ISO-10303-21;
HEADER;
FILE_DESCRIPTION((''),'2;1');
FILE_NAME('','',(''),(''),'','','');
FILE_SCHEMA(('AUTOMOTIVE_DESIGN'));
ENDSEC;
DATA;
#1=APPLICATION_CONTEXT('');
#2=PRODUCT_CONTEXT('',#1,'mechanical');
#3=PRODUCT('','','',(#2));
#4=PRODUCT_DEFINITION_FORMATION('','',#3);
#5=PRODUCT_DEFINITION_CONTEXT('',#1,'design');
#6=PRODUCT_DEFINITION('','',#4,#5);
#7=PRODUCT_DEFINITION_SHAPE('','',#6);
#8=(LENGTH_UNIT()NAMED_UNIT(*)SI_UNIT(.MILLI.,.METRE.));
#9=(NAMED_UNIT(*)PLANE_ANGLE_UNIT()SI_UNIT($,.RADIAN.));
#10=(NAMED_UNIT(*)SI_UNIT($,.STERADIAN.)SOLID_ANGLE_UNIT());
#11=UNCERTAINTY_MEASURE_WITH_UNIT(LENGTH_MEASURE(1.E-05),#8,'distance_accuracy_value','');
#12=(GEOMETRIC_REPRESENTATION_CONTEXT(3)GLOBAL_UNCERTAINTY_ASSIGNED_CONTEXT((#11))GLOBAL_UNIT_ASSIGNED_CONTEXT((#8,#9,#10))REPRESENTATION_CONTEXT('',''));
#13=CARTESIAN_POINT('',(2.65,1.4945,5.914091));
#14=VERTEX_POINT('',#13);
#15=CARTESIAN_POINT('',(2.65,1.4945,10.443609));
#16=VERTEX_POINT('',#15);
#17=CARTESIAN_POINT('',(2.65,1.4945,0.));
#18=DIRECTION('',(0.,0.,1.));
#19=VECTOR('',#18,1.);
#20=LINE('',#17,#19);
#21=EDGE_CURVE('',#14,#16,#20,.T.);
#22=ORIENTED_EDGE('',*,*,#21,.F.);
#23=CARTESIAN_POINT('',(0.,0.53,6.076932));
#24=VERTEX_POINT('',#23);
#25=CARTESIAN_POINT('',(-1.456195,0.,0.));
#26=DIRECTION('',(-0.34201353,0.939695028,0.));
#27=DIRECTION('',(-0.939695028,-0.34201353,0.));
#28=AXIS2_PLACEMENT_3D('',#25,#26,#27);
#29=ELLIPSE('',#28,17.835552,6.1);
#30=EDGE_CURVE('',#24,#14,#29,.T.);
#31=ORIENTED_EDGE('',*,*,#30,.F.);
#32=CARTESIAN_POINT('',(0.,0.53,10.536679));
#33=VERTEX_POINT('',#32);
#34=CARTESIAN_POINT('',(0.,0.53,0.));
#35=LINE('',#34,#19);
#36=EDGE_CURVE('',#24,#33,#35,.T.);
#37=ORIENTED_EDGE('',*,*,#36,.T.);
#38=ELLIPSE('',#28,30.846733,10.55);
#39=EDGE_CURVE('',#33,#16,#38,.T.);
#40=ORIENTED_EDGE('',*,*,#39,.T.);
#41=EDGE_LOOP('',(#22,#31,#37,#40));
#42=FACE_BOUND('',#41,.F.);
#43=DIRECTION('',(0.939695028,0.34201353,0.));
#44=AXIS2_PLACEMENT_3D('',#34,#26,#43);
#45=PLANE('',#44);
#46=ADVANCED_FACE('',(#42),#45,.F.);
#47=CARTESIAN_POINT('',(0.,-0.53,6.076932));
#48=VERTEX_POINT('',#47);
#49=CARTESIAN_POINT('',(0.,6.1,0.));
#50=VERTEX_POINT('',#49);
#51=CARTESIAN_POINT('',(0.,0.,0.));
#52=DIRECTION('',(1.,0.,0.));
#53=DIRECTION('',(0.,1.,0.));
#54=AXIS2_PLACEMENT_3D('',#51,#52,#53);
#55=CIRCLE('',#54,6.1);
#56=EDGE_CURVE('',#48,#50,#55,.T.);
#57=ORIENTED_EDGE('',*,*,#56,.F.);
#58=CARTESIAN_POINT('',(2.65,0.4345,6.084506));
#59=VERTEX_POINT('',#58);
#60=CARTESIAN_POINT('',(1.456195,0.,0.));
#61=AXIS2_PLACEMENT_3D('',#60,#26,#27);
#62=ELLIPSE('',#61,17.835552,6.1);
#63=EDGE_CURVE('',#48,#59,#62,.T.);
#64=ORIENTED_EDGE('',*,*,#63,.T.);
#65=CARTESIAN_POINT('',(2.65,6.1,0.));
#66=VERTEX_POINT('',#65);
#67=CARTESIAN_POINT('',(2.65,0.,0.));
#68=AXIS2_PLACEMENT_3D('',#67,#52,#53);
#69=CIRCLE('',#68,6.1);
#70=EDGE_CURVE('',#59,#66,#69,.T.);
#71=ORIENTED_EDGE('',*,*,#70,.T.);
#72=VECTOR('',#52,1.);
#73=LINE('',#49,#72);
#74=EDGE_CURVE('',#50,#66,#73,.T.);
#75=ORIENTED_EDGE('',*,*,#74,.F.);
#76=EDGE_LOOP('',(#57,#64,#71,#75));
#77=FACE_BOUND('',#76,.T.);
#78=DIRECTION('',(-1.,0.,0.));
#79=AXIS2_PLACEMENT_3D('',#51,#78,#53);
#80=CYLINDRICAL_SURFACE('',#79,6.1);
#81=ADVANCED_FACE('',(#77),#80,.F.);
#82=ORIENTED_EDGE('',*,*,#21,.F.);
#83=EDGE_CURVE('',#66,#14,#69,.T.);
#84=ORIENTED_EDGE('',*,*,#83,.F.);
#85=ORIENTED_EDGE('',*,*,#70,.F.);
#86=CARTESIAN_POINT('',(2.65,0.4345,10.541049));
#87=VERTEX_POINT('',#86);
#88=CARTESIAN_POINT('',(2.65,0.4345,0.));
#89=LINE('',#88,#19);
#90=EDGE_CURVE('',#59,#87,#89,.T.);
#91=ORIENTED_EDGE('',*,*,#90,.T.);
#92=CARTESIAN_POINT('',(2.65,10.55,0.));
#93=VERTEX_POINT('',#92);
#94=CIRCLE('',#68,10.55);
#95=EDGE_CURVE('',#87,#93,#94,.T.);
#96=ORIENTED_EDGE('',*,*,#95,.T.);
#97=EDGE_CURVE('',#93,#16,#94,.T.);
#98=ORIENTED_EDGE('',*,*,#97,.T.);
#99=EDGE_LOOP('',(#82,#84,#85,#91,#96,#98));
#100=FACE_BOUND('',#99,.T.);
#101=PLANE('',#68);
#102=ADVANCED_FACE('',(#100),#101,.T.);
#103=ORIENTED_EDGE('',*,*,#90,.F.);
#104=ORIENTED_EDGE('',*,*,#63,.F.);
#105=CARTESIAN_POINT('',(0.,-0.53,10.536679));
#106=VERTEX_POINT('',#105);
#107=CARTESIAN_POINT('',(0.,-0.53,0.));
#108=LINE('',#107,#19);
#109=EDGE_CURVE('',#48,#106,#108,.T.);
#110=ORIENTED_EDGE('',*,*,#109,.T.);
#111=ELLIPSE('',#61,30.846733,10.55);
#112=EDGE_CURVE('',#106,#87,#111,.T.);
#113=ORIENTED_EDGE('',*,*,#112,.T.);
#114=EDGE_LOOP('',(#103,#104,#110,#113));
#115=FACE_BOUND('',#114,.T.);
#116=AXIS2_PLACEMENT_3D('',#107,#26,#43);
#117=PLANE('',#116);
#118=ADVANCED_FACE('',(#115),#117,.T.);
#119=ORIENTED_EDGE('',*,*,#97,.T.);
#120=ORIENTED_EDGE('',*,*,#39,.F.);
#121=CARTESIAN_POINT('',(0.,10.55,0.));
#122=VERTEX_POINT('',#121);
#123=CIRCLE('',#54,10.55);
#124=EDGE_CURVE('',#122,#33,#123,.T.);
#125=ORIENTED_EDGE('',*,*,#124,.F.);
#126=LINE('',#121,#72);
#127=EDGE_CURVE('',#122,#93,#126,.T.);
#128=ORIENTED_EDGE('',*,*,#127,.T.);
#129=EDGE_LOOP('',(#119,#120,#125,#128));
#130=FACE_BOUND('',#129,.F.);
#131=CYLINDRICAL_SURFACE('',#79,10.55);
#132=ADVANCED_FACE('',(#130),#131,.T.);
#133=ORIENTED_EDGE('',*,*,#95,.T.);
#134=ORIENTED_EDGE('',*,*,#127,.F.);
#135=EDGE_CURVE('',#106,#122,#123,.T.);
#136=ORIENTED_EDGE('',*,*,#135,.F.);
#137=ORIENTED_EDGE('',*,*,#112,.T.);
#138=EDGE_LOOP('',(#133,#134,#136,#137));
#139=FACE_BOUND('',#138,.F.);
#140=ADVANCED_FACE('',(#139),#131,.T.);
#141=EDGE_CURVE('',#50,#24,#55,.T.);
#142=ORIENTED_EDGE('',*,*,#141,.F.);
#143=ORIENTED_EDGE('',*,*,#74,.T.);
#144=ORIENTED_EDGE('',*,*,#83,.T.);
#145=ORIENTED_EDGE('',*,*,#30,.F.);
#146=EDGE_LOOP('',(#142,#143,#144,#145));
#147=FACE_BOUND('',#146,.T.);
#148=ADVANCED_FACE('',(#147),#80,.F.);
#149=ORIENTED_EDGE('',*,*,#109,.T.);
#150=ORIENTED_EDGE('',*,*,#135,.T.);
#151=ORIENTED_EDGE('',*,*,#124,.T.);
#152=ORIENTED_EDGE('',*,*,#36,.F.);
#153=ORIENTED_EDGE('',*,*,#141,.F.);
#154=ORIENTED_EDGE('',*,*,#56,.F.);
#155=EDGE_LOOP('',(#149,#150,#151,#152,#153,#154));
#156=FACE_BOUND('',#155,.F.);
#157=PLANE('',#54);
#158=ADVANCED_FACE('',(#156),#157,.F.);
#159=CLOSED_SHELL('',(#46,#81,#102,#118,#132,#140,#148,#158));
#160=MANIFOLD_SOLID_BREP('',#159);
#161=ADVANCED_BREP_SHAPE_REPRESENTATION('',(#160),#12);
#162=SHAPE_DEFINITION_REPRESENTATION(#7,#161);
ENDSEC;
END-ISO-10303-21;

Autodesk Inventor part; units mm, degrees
ref_plane "YZ Plane" through (0, 0, 0) normal (1, 0, 0) x (0, 1, 0)
ref_plane "XZ Plane" through (0, 0, 0) normal (0, 1, 0) x (-1, 0, 0)
sketch "Sketch1" plane through (0, 0, 0) normal (1, 0, 0) x (0, 1, 0)
  circle A0 centre (0, 0) radius 10.55
  circle A1 centre (0, 0) radius 6.1
  dimension "d0" = 12.2
  dimension "d1" = 21.1
extrude "Body" add sketch "Sketch1" along normal blind 2.65
sketch "Sketch2" plane through (0, 0, 0) normal (0, 0, 1) x (1, 0, 0)
  line L0 (0, -6.1) -> (0, 6.1) projected
  line L1 (2.65, 10.55) -> (2.65, -10.55) projected
  line L2 (-1.2, 0) -> (7.2, 0) projected
  line L3 (0, -0.53) -> (2.65, 0.4345)
  line L4 (0, 0.53) -> (2.65, 1.4945)
  dimension "d4" = 0.53
  dimension "d5" = 0.53
  dimension "d6" = 70
extrude "Cut" cut sketch "Sketch2" along normal up to next contours L0 L2 L3 | L0 L4 L1 L3 L2
ref_plane "Work Plane1" through (0, 0, 0) normal (0, -1, 0) x (1, 0, 0)
equation "\"d0\" = SD1"
equation "\"d1\" = SD2"
equation "\"d2\" = SD"
equation "\"d4\" = 0.2 * SD"
equation "\"d5\" = 0.2 * SD"
equation "\"d6\" = FAWI"
equation "\"d7\" = SD"
equation "\"SD1\" = 12.2"
equation "\"SD2\" = 21.1"
equation "\"SD\" = 2.65"
equation "\"FAWI\" = 70deg"
equation "\"NND\" = 12"
properties part number "AS 1968 - 1976 - 12" material "Steel, Mild"
